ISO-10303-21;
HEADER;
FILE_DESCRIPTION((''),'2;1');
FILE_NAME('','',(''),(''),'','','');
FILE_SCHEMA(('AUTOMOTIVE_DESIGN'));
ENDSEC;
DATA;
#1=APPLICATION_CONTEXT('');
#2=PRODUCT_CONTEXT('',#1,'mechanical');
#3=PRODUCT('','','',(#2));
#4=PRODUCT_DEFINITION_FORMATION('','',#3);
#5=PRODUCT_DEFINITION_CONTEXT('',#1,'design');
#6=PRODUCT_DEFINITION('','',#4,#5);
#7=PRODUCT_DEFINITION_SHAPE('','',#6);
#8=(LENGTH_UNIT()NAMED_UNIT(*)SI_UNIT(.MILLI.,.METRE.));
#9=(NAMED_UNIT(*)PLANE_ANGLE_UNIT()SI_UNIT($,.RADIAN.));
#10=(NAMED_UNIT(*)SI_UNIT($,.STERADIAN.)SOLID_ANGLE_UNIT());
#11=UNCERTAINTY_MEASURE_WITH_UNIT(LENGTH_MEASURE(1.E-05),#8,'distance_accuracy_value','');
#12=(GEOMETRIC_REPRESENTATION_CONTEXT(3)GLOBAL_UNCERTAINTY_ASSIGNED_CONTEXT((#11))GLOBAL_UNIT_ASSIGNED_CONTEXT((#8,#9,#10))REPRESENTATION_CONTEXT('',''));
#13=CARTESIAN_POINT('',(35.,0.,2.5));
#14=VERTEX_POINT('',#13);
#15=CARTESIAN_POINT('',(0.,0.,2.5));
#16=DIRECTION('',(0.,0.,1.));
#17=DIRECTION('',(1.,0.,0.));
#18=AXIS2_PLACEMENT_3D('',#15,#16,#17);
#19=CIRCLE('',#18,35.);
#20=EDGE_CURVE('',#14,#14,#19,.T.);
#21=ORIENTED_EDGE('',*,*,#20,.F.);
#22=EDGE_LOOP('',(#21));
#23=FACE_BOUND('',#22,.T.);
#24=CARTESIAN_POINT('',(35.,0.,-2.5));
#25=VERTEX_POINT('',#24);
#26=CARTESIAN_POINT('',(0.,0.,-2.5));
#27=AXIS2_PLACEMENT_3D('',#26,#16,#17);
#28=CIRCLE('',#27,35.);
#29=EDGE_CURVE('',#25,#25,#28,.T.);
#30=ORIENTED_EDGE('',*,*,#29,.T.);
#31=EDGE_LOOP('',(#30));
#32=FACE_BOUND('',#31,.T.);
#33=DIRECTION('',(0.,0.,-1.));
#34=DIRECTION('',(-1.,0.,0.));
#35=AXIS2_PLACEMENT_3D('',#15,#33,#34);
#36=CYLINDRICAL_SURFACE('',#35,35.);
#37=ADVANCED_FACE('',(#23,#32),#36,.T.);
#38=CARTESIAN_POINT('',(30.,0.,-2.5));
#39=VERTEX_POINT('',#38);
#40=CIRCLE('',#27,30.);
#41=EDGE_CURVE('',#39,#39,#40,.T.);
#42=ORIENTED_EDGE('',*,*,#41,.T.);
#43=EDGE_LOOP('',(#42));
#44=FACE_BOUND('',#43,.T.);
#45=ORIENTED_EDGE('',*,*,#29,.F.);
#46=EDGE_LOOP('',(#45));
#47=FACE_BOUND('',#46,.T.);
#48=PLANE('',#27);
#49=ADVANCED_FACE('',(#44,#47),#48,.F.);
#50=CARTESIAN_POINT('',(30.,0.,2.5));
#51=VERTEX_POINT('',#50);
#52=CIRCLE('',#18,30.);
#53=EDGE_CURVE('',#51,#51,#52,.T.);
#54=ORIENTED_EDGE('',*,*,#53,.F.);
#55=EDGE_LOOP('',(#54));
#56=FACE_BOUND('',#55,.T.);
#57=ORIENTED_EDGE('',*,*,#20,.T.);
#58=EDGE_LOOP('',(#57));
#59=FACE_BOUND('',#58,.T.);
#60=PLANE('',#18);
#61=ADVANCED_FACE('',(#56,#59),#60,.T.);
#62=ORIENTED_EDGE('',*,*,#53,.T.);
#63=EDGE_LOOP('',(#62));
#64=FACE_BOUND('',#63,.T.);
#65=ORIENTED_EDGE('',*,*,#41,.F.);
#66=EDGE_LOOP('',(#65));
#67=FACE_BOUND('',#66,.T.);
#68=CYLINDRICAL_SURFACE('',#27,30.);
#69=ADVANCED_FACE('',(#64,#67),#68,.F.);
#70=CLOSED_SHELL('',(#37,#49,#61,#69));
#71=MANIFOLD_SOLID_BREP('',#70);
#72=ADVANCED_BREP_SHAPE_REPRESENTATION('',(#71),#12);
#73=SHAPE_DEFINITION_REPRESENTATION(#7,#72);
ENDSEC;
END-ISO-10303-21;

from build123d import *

# Parameters (mm, degrees)
SKETCH2_R           = 35
BOSS_EXTRUDE1_DEPTH = 2.5
SKETCH3_R           = 30
CUT_EXTRUDE1_DEPTH  = 50.749371855


with BuildPart() as part:
    # Sketch2 → Boss-Extrude1 (new, symmetric)
    with BuildSketch(Plane.XY):
        Circle(SKETCH2_R)
    extrude(amount=BOSS_EXTRUDE1_DEPTH, both=True)

    # Sketch3 → Cut-Extrude1 (cut, through all)
    with BuildSketch(Plane.XY.offset(2.5)):
        Circle(SKETCH3_R)
    extrude(amount=-CUT_EXTRUDE1_DEPTH, mode=Mode.SUBTRACT)


solid = part.part
